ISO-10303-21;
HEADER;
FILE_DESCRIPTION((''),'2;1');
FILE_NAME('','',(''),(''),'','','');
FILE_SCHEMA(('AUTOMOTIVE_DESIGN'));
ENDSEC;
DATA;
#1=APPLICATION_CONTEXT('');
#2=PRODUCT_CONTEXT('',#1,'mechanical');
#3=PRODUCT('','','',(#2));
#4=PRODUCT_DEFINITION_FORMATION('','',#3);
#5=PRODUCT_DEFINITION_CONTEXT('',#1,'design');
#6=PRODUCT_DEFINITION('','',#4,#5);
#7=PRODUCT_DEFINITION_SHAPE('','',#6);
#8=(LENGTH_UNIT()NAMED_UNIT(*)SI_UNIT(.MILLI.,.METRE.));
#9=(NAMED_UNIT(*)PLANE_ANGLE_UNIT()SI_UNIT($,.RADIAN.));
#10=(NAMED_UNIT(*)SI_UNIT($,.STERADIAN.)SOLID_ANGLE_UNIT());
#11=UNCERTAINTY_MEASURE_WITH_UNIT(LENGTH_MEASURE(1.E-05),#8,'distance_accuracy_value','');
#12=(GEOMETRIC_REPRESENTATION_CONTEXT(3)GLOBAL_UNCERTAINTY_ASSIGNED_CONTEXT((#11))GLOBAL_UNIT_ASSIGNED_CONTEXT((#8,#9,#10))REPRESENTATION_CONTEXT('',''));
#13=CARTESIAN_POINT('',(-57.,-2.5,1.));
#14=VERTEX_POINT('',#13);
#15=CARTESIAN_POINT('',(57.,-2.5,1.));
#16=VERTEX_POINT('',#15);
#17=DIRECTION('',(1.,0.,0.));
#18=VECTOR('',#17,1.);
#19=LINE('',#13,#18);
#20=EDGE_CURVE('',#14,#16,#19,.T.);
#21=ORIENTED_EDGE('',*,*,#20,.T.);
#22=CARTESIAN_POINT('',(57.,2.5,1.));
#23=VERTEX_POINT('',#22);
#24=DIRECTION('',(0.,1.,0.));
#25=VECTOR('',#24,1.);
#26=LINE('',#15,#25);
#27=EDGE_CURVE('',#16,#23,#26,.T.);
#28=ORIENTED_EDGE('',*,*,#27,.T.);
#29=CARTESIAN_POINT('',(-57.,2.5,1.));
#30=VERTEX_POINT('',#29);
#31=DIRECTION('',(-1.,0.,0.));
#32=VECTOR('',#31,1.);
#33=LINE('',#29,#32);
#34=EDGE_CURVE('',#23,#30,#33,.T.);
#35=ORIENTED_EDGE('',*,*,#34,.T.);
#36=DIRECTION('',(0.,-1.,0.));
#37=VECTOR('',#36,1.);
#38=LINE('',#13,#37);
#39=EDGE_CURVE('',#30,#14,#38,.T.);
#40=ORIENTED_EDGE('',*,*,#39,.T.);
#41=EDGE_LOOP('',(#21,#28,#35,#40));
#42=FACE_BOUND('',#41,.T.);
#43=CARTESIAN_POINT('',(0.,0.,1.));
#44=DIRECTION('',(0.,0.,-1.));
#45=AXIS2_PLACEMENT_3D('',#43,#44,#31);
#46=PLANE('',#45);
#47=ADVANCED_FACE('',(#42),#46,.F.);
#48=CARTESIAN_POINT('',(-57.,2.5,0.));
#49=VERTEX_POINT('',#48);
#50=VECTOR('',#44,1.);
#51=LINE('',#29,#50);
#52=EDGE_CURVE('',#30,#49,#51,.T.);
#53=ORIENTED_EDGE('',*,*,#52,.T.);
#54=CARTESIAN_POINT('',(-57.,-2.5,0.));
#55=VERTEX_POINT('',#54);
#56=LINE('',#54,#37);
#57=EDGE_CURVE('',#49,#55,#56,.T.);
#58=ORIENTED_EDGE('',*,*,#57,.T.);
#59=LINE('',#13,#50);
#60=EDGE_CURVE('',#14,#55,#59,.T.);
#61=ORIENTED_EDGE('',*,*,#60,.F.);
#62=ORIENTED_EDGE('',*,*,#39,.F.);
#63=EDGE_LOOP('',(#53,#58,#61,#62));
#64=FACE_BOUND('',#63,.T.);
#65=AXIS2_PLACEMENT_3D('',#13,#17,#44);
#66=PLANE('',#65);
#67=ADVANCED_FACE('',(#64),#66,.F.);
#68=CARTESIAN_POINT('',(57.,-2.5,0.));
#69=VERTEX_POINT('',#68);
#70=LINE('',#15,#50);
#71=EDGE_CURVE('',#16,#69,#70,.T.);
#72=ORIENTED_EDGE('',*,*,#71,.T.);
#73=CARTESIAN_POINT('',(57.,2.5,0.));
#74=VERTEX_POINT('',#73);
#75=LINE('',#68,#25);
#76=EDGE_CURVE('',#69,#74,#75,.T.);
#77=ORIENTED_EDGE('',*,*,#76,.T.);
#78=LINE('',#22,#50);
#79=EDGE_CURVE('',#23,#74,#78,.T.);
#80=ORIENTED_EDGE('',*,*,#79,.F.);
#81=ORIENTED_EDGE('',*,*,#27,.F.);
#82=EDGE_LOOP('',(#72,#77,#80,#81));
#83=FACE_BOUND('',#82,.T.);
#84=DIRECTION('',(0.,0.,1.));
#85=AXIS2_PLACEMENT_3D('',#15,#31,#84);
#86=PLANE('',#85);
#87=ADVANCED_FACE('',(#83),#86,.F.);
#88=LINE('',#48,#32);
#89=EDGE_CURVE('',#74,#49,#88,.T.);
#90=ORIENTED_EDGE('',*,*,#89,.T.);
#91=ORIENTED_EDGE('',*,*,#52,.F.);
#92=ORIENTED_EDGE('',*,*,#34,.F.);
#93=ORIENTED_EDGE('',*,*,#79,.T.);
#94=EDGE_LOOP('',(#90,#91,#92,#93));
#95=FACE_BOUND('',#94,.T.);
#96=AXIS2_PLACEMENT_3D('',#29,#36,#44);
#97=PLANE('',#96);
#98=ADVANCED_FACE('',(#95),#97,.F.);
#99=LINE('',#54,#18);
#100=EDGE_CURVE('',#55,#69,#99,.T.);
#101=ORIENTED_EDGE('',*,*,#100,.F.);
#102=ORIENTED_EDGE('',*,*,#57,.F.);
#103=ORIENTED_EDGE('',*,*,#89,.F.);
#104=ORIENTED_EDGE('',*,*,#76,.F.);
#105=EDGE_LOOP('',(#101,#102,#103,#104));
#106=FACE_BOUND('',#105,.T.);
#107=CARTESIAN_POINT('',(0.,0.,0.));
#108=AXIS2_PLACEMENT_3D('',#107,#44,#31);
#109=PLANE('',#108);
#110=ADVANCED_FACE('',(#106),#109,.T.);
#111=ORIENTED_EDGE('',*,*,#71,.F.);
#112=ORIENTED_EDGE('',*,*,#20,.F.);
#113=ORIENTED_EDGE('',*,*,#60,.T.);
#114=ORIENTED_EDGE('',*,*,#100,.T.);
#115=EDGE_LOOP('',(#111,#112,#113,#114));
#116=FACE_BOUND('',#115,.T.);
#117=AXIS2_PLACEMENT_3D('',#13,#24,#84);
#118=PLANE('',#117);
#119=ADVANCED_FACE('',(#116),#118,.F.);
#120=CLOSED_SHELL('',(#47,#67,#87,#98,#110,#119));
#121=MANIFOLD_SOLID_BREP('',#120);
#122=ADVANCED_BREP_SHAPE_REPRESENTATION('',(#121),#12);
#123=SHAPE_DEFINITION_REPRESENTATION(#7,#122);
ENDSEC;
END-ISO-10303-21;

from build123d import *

# Parameters (mm, degrees)
SKETCH_1_W      = 114
SKETCH_1_H      = 5
EXTRUDE_1_DEPTH = 1


with BuildPart() as part:
    # 草图1 → 凸台-拉伸1 (new body)
    with BuildSketch(Plane.XY):
        Rectangle(SKETCH_1_W, SKETCH_1_H)
    extrude(amount=EXTRUDE_1_DEPTH)


solid = part.part
